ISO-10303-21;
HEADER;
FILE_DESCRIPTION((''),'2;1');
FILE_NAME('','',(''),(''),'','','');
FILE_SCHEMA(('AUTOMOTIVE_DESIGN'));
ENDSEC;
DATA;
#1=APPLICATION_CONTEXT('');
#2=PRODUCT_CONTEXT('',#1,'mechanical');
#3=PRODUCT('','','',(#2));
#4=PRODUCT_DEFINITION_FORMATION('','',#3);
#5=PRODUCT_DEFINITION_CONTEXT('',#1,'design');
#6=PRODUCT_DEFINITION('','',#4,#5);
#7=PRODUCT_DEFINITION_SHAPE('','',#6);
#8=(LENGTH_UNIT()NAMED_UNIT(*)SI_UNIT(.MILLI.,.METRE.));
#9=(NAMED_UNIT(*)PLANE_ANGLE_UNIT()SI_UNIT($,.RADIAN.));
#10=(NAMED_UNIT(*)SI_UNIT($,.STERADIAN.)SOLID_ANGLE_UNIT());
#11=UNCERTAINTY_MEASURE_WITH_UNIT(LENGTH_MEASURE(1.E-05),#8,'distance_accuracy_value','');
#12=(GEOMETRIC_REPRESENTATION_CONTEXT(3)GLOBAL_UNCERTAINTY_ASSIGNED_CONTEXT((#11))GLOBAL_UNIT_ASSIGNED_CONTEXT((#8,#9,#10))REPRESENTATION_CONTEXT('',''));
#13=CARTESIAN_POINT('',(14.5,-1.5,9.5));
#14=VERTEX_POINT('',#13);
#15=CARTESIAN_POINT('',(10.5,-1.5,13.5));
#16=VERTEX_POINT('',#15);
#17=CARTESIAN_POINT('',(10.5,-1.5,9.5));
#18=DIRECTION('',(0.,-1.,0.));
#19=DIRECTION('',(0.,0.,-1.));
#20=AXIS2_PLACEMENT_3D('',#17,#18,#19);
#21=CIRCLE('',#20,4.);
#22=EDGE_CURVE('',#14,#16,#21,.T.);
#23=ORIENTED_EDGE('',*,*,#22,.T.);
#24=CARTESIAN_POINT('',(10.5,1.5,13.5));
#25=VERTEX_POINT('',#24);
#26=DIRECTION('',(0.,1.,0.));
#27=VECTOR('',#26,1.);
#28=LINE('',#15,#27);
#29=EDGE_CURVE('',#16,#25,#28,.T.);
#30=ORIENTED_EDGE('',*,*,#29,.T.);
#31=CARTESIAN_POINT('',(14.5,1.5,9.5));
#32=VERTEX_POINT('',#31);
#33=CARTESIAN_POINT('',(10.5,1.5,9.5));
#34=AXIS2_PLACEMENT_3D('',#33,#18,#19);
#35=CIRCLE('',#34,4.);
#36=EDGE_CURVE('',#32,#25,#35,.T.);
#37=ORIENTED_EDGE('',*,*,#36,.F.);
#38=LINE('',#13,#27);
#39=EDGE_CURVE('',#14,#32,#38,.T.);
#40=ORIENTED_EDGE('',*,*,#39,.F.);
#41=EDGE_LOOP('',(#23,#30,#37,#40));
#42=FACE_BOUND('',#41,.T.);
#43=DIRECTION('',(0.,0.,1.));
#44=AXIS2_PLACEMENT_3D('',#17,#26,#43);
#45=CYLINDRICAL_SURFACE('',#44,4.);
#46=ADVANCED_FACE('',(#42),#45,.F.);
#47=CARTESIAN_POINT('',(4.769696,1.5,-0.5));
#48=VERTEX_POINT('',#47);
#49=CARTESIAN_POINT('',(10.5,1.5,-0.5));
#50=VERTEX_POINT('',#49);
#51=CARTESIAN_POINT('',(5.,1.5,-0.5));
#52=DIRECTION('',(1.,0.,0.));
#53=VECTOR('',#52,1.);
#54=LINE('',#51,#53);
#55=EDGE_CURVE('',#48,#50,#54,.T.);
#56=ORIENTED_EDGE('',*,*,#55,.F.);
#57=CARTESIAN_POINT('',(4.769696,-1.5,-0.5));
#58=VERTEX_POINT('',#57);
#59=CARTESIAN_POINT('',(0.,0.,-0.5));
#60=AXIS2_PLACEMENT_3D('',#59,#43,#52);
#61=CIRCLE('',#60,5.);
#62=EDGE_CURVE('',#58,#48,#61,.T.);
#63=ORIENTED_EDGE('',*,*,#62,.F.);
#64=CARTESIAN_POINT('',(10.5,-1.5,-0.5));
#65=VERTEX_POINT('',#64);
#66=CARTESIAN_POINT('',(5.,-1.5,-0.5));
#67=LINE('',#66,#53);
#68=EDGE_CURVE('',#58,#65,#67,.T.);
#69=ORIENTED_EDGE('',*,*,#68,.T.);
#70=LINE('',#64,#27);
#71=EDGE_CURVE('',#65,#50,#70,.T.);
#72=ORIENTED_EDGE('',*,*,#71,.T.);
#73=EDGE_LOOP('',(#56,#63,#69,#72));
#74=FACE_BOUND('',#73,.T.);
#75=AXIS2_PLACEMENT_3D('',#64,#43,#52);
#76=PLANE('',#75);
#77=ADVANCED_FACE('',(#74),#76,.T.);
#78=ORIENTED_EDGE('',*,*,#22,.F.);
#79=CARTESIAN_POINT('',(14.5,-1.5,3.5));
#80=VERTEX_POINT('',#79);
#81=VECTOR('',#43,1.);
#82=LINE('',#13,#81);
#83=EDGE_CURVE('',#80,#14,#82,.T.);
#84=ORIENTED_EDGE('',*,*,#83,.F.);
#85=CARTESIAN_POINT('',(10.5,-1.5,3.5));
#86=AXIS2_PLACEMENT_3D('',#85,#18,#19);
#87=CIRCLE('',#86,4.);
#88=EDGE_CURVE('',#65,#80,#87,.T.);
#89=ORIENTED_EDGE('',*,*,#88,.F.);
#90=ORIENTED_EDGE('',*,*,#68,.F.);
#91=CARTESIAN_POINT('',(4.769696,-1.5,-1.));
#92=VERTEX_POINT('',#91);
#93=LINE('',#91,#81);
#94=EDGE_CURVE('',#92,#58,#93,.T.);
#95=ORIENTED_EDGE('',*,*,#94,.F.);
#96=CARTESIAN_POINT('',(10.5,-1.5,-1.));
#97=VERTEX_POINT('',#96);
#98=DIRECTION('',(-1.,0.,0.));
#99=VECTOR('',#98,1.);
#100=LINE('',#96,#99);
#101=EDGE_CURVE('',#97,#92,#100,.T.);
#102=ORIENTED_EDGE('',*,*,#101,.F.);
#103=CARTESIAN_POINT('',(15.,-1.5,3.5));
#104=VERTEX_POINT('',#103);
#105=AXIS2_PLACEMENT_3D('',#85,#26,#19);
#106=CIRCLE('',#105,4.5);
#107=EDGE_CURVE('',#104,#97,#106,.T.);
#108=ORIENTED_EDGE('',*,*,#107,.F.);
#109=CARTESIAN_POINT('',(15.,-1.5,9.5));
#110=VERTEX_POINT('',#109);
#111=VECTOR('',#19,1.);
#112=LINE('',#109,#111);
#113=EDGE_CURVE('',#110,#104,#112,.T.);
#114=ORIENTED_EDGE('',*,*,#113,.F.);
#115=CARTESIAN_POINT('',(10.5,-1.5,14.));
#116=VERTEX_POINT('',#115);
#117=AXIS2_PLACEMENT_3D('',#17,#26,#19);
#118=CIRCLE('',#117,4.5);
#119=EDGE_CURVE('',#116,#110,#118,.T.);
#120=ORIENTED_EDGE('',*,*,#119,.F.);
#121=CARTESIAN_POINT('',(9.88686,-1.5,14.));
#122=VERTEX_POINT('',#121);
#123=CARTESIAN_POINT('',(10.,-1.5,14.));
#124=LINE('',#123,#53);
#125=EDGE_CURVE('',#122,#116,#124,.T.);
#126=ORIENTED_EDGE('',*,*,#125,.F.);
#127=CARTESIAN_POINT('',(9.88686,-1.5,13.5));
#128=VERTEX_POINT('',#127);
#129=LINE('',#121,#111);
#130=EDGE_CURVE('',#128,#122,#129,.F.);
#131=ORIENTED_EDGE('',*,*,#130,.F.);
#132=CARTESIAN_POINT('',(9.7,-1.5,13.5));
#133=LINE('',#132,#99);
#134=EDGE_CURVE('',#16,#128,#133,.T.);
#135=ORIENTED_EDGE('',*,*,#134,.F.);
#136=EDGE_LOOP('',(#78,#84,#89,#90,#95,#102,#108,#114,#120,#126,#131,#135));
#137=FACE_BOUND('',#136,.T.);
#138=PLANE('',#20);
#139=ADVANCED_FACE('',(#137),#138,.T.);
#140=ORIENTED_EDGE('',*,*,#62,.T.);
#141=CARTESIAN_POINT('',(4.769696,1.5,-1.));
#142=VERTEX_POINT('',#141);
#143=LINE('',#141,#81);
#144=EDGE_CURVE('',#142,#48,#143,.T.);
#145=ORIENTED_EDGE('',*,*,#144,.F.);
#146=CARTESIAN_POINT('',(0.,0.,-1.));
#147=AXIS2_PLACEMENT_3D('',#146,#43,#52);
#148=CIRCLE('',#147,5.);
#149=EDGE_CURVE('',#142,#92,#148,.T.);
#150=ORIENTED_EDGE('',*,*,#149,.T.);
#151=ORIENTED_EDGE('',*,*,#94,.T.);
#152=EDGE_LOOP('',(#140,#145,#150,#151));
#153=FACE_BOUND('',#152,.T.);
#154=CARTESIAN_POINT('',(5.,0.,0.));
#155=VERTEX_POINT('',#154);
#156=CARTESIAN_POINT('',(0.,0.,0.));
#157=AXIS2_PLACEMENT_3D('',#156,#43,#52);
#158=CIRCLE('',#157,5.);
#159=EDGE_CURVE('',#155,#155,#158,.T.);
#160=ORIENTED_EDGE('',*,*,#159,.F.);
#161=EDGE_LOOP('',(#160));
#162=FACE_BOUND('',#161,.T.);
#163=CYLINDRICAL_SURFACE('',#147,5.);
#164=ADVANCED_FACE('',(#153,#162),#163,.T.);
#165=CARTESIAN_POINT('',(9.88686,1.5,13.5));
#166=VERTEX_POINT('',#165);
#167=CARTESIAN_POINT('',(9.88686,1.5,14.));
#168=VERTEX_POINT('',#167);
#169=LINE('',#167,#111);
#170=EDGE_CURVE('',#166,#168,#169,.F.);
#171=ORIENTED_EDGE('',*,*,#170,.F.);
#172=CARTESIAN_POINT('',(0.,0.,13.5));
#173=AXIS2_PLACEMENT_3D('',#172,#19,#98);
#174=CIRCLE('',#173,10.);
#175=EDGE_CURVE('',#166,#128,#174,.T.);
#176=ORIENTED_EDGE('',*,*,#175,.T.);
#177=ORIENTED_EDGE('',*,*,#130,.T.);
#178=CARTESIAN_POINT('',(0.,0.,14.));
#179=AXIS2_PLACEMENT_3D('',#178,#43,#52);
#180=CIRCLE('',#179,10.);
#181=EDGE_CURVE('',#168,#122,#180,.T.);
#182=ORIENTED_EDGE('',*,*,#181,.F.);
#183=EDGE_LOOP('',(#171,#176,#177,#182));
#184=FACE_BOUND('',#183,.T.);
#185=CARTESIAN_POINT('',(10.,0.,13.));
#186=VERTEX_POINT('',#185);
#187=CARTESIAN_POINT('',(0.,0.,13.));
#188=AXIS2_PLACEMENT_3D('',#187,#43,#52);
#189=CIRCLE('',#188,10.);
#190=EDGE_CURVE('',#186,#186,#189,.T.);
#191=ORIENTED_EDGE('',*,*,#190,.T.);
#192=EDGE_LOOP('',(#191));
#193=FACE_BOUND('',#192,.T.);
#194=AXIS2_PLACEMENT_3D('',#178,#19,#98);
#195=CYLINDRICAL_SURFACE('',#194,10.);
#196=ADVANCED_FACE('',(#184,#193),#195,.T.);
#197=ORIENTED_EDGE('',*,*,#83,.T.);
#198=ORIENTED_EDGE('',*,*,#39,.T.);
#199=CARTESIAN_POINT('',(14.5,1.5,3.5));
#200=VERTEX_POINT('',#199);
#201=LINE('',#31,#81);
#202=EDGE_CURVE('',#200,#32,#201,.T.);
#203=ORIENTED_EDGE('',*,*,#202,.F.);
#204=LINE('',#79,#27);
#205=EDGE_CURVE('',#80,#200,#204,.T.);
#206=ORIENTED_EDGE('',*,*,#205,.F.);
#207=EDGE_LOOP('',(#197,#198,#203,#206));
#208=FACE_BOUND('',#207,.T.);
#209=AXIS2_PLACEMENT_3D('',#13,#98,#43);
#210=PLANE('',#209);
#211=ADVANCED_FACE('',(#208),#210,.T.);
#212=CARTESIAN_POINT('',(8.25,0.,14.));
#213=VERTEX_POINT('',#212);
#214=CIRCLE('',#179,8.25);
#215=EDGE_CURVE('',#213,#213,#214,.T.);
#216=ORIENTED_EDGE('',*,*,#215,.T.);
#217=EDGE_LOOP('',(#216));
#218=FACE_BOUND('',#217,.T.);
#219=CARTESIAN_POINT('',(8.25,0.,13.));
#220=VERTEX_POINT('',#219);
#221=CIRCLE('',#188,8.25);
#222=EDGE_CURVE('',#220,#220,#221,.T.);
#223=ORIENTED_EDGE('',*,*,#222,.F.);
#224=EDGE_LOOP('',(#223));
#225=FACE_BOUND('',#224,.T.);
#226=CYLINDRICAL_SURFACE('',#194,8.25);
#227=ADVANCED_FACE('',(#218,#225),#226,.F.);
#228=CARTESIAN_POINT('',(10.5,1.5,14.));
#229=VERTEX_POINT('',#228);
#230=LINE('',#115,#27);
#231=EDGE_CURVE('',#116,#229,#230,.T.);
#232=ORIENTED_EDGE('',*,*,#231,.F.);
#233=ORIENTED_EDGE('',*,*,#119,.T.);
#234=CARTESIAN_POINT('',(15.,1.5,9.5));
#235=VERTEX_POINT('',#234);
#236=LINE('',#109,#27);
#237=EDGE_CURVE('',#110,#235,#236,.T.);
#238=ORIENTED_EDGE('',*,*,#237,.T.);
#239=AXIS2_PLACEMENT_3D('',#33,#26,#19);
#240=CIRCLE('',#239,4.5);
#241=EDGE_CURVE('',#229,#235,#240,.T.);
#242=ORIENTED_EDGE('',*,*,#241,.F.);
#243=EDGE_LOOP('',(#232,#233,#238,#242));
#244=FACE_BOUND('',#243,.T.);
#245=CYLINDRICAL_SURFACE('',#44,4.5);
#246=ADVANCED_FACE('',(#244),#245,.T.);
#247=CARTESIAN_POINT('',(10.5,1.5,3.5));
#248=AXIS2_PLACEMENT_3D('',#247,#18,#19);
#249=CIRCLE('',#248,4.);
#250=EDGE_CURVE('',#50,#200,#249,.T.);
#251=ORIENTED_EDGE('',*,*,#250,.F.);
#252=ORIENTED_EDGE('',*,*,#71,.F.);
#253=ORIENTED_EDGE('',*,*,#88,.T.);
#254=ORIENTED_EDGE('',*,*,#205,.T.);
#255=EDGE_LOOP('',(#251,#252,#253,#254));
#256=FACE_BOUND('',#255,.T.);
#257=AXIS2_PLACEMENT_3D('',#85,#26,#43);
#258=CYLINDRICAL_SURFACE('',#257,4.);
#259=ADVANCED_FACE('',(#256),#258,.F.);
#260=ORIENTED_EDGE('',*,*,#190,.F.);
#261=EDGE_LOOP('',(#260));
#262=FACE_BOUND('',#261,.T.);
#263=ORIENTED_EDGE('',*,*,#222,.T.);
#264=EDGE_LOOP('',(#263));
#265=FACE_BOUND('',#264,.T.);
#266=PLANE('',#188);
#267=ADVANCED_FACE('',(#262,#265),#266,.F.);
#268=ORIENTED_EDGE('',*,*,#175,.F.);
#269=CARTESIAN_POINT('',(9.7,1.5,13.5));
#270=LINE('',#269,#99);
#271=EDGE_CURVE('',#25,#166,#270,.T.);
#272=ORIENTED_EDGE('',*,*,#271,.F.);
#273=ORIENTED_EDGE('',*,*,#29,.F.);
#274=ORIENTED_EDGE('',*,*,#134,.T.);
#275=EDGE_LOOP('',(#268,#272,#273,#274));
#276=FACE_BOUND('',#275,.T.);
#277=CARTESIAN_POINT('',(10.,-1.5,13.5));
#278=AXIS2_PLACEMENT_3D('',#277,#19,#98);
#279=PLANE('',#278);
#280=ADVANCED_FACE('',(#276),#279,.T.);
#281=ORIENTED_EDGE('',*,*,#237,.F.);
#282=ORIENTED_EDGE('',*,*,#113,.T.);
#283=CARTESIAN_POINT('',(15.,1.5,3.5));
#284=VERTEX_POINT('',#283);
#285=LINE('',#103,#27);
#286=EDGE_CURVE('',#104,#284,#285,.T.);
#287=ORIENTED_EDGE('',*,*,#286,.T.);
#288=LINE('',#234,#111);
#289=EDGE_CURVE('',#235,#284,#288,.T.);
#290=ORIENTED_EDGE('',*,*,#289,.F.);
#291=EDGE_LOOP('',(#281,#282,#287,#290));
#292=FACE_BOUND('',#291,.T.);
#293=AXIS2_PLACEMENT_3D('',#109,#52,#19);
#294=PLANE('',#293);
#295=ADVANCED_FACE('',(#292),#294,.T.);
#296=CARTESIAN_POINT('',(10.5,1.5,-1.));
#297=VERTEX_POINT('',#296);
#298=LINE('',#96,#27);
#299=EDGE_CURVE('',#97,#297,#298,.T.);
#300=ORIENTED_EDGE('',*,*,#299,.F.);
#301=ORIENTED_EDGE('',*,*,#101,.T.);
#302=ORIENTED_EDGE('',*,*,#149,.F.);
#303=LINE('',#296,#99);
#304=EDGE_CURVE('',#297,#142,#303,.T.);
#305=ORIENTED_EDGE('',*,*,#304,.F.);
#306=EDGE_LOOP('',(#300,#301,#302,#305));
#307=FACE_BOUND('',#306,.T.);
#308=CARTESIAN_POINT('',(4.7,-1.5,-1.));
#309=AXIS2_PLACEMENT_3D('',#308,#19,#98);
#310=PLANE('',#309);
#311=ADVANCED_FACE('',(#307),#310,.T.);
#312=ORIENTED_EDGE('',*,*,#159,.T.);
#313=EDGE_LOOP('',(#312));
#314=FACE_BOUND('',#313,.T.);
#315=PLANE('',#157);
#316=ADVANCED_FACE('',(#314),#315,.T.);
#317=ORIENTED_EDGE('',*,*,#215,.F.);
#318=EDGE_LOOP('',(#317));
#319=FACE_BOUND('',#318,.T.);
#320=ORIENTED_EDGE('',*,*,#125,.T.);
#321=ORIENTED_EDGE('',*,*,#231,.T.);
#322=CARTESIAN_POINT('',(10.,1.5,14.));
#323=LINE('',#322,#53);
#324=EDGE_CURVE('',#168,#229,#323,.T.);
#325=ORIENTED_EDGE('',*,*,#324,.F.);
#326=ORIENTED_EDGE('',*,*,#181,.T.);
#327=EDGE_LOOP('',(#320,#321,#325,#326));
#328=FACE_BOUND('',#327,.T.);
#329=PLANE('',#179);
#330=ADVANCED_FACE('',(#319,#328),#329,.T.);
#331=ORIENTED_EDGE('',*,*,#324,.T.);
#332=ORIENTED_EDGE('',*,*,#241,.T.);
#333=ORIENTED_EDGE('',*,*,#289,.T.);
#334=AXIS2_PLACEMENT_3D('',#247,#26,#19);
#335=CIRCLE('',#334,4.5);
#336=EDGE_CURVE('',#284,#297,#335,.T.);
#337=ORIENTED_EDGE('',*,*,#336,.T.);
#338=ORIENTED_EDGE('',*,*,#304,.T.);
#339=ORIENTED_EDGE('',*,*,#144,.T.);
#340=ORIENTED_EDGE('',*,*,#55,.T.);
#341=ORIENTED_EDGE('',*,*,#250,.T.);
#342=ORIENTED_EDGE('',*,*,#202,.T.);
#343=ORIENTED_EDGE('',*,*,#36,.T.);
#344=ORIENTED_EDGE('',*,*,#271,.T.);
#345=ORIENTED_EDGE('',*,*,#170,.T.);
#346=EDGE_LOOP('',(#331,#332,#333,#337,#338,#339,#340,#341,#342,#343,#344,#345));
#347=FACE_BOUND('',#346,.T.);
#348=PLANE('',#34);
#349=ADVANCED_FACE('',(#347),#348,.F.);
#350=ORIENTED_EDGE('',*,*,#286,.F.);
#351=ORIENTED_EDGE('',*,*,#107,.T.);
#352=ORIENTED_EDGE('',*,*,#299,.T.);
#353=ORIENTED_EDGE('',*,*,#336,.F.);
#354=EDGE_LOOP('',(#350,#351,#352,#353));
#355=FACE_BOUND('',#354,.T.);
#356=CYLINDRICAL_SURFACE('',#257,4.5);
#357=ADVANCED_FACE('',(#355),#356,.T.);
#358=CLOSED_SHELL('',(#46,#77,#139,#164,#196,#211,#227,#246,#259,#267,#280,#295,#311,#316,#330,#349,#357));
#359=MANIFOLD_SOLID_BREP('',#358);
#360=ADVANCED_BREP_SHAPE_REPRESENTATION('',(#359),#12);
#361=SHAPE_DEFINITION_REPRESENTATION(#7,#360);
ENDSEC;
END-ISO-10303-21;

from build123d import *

# Parameters (mm, degrees)
SKETCH7_R                = 10
SKETCH7_R_2              = 8.25
BOSS_EXTRUDE3_DEPTH      = 1
SKETCH8_R                = 5
BOSS_EXTRUDE4_DEPTH      = 1
BOSS_EXTRUDE5_DEPTH      = 1.5
BOSS_EXTRUDE5_DEPTH_BACK = 1.5


with BuildPart() as part:
    # Sketch7 → Boss-Extrude3 (new body)
    with BuildSketch(Plane.XY.offset(13)):
        Circle(SKETCH7_R)
        Circle(SKETCH7_R_2, mode=Mode.SUBTRACT)
    extrude(amount=BOSS_EXTRUDE3_DEPTH)



with BuildPart() as body_2:
    # Sketch8 → Boss-Extrude4 (new body)
    with BuildSketch(Plane.XY):
        Circle(SKETCH8_R)
    extrude(amount=-BOSS_EXTRUDE4_DEPTH)


with BuildPart() as part_1:
    add(part.part)

    add(body_2.part)  # Boss-Extrude5 merges body 2
    # Sketch9 → Boss-Extrude5 (add, two sides: drawn at the far end of the back side and taken through both)
    with BuildSketch(Plane(origin=(0, 0, 0), x_dir=(1, 0, 0), z_dir=(0, 1, 0)).offset(-BOSS_EXTRUDE5_DEPTH_BACK)):
        with BuildLine():
            Line((10, -13.5), (10.5, -13.5))
            ThreePointArc((10.5, -13.5), (13.328427125, -12.328427125), (14.5, -9.5))
            Line((14.5, -9.5), (14.5, -3.5))
            ThreePointArc((14.5, -3.5), (13.328427125, -0.671572875), (10.5, 0.5))
            Line((10.5, 0.5), (5, 0.5))
            Line((5, 0.5), (4.7, 0.5))
            Line((4.7, 0.5), (4.7, 1))
            Line((4.7, 1), (5, 1))
            Line((5, 1), (10.5, 1))
            ThreePointArc((10.5, 1), (13.681980515, -0.318019485), (15, -3.5))
            Line((15, -3.5), (15, -9.5))
            ThreePointArc((15, -9.5), (13.681980515, -12.681980515), (10.5, -14))
            Line((10.5, -14), (10, -14))
            Line((10, -14), (9.7, -14))
            Line((9.7, -14), (9.7, -13.5))
            Line((9.7, -13.5), (10, -13.5))
        make_face()
    extrude(amount=BOSS_EXTRUDE5_DEPTH + BOSS_EXTRUDE5_DEPTH_BACK)


solid = part_1.part
